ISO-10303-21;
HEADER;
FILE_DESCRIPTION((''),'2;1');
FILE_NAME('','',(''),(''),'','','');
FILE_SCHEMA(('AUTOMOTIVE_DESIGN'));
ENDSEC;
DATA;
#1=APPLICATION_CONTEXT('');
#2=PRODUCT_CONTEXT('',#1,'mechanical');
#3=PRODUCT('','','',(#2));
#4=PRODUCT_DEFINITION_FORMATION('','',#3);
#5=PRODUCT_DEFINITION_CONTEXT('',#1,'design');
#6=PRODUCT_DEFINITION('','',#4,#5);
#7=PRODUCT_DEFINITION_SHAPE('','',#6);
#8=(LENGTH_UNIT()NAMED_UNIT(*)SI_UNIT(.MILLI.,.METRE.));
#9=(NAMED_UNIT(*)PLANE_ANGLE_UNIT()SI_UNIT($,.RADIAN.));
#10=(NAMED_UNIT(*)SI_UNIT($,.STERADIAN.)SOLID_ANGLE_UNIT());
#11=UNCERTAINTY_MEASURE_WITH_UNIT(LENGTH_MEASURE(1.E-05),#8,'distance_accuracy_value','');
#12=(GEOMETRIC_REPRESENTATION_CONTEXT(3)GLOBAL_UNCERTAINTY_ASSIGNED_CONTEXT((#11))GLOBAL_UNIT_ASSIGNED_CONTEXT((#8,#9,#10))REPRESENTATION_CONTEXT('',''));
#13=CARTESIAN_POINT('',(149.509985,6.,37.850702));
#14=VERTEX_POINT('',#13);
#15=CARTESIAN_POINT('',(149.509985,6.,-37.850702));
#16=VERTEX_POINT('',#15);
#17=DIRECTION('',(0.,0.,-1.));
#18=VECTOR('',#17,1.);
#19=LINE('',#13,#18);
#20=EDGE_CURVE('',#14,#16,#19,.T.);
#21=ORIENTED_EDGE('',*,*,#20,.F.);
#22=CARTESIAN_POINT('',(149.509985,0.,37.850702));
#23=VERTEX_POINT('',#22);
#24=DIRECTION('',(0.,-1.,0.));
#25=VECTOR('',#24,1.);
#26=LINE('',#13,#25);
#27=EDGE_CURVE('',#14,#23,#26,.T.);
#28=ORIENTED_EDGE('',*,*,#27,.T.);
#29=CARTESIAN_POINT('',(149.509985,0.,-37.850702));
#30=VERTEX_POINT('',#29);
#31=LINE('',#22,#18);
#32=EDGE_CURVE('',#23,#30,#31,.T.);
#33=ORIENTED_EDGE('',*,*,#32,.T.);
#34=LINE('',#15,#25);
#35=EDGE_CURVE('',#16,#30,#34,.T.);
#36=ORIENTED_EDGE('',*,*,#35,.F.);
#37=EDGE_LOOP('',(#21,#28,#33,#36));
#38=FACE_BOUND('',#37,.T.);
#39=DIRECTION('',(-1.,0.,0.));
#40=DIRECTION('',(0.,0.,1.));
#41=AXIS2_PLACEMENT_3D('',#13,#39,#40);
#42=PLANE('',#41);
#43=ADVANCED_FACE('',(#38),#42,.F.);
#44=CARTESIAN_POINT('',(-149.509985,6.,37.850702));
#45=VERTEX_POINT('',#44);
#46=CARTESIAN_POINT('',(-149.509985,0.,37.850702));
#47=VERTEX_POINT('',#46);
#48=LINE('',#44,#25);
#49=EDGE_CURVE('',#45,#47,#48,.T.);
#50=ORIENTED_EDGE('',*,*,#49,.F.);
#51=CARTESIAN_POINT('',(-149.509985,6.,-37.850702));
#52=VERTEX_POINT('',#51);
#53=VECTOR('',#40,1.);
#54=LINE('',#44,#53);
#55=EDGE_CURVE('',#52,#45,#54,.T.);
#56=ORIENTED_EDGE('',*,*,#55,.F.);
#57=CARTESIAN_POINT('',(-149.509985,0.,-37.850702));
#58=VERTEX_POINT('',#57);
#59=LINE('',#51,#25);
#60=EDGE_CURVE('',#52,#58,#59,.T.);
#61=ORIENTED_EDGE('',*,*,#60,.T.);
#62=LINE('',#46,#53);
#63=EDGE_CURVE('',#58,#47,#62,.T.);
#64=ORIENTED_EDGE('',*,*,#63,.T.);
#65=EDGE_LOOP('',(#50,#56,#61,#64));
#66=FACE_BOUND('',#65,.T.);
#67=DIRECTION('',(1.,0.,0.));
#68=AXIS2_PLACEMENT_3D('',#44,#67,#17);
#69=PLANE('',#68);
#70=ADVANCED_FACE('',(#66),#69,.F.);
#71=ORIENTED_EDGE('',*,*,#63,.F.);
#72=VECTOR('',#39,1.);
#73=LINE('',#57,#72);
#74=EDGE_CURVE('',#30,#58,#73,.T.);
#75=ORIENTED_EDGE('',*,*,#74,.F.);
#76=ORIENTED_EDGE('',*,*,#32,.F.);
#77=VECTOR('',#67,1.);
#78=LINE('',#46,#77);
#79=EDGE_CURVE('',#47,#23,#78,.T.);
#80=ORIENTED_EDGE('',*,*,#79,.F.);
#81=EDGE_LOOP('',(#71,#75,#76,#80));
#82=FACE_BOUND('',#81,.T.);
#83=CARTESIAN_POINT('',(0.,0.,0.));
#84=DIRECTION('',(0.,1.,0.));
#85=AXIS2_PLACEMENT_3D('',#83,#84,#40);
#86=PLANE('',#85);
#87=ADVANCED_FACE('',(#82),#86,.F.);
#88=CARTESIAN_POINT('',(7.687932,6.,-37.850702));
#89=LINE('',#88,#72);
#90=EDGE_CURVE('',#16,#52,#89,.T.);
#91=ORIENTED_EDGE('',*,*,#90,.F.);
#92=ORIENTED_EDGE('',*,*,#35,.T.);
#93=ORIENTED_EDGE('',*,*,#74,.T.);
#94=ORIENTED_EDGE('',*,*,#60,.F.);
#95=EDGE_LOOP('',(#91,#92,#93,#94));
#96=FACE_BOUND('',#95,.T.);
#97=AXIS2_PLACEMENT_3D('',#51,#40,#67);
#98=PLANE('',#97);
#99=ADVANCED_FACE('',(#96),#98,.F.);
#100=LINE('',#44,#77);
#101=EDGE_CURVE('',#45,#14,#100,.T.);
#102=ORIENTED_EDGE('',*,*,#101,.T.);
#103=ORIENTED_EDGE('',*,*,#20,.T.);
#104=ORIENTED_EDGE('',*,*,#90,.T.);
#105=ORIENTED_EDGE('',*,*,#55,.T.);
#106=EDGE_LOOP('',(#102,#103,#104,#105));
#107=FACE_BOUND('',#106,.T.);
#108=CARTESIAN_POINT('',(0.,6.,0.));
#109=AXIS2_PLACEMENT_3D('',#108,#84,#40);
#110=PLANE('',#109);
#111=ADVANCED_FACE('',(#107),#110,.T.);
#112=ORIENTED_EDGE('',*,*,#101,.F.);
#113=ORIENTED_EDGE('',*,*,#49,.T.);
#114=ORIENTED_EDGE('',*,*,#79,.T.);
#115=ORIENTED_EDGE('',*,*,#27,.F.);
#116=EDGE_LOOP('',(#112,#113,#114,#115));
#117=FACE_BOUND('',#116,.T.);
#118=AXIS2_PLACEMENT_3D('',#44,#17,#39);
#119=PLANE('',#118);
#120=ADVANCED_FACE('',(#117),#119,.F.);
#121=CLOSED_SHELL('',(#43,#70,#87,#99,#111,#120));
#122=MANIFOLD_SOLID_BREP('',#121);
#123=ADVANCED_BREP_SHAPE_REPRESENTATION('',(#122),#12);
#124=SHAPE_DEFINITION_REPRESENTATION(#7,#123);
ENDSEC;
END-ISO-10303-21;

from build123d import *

# Parameters (mm, degrees)
EXTRUDE_1_DEPTH = 6


with BuildPart() as part:
    # Эскиз1 → Бобышка-Вытянуть1 (new body)
    with BuildSketch(Plane(origin=(0, 0, 0), x_dir=(1, 0, 0), z_dir=(0, 1, 0))):
        Polygon((-149.509985433, -37.850701628), (149.509985433, -37.850701628), (149.509985433, 37.850701628), (7.68793205, 37.850701628), (-82.803443462, 37.850701628), (-149.509985433, 37.850701628), align=None)
    extrude(amount=EXTRUDE_1_DEPTH)


solid = part.part
